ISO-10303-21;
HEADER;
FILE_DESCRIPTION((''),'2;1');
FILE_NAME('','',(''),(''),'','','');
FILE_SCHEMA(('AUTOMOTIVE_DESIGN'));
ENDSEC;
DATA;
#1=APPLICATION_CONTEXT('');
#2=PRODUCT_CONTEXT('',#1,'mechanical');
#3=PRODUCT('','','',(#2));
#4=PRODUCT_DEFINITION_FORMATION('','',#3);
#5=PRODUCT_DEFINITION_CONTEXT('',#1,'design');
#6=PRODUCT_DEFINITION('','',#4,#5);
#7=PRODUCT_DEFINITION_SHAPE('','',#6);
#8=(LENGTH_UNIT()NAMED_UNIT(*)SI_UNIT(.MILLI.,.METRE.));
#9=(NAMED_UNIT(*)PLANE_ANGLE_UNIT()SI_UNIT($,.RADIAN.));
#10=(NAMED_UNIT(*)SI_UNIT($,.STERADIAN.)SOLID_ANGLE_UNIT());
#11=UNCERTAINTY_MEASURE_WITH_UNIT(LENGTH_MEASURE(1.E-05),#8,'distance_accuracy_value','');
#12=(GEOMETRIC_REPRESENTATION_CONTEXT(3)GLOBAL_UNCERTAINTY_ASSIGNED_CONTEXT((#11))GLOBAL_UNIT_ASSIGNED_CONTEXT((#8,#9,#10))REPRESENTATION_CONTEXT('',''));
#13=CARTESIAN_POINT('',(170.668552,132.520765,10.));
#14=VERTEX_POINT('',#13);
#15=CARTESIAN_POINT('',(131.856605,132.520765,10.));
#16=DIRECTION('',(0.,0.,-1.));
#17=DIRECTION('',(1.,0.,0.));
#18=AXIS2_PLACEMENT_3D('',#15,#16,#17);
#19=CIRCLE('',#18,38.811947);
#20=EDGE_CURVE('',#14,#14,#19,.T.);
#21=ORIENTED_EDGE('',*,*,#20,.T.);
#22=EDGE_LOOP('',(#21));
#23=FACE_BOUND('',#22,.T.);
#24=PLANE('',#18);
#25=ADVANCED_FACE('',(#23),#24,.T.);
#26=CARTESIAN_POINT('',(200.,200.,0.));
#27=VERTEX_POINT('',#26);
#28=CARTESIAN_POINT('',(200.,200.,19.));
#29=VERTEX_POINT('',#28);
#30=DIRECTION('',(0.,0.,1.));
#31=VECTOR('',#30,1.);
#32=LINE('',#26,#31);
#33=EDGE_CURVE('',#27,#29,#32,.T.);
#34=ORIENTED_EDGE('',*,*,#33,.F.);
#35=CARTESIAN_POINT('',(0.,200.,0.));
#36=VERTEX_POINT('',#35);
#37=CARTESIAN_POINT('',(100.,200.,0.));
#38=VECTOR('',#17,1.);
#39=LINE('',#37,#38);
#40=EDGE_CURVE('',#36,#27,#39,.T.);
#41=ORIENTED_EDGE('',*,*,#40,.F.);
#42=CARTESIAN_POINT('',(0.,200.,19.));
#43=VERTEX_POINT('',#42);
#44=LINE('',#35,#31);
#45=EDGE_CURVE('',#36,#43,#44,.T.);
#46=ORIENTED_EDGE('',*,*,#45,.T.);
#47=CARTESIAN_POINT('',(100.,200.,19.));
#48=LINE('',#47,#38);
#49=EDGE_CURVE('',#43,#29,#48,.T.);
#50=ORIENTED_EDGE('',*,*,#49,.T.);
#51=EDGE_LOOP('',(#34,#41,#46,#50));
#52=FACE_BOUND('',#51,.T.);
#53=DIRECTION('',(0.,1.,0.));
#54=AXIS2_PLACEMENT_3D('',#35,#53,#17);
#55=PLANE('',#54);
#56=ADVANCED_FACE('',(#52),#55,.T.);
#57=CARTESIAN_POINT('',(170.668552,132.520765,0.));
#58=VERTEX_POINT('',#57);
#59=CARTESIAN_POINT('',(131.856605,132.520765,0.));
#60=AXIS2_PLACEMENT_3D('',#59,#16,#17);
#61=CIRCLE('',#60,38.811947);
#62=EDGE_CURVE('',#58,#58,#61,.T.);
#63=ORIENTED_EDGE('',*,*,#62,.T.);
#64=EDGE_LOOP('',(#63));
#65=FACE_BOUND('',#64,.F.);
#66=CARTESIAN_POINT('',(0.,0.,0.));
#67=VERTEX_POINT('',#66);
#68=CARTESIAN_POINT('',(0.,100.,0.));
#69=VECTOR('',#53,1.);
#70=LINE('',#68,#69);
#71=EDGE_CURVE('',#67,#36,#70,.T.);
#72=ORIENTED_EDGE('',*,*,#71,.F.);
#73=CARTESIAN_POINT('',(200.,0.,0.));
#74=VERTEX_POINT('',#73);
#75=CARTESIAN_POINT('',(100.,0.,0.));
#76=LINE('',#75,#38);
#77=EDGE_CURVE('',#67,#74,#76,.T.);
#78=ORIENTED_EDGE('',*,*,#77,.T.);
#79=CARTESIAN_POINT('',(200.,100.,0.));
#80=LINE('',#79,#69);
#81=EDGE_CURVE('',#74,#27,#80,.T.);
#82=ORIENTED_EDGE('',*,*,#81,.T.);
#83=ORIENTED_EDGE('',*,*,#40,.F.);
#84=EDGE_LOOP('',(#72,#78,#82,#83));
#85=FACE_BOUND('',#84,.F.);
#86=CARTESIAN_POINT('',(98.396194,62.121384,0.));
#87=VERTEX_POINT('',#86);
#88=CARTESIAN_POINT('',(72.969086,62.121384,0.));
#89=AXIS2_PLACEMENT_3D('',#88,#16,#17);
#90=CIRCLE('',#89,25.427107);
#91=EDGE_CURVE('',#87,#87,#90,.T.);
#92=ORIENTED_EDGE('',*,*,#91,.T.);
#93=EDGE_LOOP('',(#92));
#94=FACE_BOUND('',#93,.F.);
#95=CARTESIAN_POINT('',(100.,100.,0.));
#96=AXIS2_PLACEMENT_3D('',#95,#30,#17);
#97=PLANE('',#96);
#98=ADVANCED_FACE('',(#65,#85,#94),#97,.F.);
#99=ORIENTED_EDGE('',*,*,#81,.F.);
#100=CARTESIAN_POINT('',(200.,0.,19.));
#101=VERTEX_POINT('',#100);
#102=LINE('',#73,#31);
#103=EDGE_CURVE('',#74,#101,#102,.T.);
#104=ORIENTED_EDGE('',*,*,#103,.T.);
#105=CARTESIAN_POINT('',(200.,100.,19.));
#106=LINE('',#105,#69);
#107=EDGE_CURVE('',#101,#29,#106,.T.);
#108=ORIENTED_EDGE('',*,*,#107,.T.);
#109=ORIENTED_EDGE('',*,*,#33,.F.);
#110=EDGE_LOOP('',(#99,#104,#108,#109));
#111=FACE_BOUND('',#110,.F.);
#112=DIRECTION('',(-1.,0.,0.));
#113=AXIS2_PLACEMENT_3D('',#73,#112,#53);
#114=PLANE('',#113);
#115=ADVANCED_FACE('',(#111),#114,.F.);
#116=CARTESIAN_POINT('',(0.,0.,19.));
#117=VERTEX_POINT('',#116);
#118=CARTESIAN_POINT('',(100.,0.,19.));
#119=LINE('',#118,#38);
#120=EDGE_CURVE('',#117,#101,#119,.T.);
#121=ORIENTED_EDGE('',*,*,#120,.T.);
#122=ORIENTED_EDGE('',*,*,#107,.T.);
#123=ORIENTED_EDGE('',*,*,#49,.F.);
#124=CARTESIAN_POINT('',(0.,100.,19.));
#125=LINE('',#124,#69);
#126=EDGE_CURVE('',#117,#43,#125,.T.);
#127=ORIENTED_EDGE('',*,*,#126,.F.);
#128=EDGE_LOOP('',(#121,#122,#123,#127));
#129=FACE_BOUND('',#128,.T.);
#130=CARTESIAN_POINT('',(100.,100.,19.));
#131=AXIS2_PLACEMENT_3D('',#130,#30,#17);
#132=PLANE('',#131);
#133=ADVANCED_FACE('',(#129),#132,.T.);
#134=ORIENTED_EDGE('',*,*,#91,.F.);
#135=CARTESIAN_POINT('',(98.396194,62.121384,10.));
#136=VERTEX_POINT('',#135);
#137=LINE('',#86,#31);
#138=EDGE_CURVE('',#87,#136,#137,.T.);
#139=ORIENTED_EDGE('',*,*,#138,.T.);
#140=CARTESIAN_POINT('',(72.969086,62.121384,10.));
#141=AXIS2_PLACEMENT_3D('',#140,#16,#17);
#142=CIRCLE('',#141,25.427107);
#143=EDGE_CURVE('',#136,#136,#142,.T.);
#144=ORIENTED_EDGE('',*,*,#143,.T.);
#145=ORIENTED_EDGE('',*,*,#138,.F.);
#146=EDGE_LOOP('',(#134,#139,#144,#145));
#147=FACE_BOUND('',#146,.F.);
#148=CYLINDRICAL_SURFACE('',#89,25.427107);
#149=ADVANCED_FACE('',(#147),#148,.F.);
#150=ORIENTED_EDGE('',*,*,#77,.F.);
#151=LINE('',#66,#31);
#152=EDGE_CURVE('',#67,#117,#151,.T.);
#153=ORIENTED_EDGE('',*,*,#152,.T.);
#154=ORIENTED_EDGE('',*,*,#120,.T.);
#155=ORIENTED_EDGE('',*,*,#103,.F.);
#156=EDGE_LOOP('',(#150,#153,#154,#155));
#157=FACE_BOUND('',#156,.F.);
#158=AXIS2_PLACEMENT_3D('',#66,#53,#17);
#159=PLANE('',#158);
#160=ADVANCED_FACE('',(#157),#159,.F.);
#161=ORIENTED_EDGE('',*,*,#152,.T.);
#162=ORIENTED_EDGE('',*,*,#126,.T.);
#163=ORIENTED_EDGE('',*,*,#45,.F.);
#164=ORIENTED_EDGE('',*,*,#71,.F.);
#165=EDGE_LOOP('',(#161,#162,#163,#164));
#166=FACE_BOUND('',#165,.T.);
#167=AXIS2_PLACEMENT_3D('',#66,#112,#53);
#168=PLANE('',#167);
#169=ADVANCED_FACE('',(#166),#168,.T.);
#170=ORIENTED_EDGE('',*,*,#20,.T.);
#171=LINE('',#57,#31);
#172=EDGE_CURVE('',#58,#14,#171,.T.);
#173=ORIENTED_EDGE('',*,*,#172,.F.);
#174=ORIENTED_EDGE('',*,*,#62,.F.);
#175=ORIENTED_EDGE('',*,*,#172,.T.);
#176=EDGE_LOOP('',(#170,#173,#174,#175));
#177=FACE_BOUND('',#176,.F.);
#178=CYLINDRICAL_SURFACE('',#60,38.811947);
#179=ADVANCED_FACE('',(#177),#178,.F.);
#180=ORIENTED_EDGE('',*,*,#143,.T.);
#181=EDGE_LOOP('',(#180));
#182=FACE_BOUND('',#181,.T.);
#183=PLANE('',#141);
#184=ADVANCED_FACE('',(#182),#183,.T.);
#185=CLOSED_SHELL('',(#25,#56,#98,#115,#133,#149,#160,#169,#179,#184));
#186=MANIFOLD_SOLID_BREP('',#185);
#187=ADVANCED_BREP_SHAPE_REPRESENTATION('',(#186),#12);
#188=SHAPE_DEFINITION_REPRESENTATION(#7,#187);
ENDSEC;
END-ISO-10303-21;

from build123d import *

# Parameters (mm, degrees)
F0_W     = 200
F0_H     = 200
F0_R     = 35.2574205313
F0_R_2   = 24.6877765363
F0_R_3   = 35.0119244768
F1_DEPTH = 19
F2_R     = 25.4271073146
F2_R_2   = 38.8119469976
F3_DEPTH = 10


with BuildPart() as f1:
    # F0 (on Top) → F1 (new body)
    with BuildSketch(Plane.XY):
        with Locations((100, 100)):
            Rectangle(F0_W, F0_H)
        with Locations((45.0678654015, 44.85360533)):
            Circle(F0_R, mode=Mode.SUBTRACT)
        with Locations((37.5408865511, 158.2010239363)):
            Circle(F0_R_2, mode=Mode.SUBTRACT)
        with Locations((120.7804009318, 101.5273183584)):
            Circle(F0_R_3, mode=Mode.SUBTRACT)
        with Locations((45.0678654015, 44.85360533)):
            Circle(F0_R)
        with Locations((120.7804009318, 101.5273183584)):
            Circle(F0_R_3)
        with Locations((37.5408865511, 158.2010239363)):
            Circle(F0_R_2)
    extrude(amount=F1_DEPTH)

    # F2 (on face) → F3 (cut)
    with BuildSketch(Plane(origin=(0, 0, 0), x_dir=(1, 0, 0), z_dir=(0, 0, -1))):
        with Locations((72.9690864682, -62.1213838458)):
            Circle(F2_R)
        with Locations((131.8566054106, -132.5207650661)):
            Circle(F2_R_2)
    extrude(amount=-F3_DEPTH, mode=Mode.SUBTRACT)


solid = f1.part
